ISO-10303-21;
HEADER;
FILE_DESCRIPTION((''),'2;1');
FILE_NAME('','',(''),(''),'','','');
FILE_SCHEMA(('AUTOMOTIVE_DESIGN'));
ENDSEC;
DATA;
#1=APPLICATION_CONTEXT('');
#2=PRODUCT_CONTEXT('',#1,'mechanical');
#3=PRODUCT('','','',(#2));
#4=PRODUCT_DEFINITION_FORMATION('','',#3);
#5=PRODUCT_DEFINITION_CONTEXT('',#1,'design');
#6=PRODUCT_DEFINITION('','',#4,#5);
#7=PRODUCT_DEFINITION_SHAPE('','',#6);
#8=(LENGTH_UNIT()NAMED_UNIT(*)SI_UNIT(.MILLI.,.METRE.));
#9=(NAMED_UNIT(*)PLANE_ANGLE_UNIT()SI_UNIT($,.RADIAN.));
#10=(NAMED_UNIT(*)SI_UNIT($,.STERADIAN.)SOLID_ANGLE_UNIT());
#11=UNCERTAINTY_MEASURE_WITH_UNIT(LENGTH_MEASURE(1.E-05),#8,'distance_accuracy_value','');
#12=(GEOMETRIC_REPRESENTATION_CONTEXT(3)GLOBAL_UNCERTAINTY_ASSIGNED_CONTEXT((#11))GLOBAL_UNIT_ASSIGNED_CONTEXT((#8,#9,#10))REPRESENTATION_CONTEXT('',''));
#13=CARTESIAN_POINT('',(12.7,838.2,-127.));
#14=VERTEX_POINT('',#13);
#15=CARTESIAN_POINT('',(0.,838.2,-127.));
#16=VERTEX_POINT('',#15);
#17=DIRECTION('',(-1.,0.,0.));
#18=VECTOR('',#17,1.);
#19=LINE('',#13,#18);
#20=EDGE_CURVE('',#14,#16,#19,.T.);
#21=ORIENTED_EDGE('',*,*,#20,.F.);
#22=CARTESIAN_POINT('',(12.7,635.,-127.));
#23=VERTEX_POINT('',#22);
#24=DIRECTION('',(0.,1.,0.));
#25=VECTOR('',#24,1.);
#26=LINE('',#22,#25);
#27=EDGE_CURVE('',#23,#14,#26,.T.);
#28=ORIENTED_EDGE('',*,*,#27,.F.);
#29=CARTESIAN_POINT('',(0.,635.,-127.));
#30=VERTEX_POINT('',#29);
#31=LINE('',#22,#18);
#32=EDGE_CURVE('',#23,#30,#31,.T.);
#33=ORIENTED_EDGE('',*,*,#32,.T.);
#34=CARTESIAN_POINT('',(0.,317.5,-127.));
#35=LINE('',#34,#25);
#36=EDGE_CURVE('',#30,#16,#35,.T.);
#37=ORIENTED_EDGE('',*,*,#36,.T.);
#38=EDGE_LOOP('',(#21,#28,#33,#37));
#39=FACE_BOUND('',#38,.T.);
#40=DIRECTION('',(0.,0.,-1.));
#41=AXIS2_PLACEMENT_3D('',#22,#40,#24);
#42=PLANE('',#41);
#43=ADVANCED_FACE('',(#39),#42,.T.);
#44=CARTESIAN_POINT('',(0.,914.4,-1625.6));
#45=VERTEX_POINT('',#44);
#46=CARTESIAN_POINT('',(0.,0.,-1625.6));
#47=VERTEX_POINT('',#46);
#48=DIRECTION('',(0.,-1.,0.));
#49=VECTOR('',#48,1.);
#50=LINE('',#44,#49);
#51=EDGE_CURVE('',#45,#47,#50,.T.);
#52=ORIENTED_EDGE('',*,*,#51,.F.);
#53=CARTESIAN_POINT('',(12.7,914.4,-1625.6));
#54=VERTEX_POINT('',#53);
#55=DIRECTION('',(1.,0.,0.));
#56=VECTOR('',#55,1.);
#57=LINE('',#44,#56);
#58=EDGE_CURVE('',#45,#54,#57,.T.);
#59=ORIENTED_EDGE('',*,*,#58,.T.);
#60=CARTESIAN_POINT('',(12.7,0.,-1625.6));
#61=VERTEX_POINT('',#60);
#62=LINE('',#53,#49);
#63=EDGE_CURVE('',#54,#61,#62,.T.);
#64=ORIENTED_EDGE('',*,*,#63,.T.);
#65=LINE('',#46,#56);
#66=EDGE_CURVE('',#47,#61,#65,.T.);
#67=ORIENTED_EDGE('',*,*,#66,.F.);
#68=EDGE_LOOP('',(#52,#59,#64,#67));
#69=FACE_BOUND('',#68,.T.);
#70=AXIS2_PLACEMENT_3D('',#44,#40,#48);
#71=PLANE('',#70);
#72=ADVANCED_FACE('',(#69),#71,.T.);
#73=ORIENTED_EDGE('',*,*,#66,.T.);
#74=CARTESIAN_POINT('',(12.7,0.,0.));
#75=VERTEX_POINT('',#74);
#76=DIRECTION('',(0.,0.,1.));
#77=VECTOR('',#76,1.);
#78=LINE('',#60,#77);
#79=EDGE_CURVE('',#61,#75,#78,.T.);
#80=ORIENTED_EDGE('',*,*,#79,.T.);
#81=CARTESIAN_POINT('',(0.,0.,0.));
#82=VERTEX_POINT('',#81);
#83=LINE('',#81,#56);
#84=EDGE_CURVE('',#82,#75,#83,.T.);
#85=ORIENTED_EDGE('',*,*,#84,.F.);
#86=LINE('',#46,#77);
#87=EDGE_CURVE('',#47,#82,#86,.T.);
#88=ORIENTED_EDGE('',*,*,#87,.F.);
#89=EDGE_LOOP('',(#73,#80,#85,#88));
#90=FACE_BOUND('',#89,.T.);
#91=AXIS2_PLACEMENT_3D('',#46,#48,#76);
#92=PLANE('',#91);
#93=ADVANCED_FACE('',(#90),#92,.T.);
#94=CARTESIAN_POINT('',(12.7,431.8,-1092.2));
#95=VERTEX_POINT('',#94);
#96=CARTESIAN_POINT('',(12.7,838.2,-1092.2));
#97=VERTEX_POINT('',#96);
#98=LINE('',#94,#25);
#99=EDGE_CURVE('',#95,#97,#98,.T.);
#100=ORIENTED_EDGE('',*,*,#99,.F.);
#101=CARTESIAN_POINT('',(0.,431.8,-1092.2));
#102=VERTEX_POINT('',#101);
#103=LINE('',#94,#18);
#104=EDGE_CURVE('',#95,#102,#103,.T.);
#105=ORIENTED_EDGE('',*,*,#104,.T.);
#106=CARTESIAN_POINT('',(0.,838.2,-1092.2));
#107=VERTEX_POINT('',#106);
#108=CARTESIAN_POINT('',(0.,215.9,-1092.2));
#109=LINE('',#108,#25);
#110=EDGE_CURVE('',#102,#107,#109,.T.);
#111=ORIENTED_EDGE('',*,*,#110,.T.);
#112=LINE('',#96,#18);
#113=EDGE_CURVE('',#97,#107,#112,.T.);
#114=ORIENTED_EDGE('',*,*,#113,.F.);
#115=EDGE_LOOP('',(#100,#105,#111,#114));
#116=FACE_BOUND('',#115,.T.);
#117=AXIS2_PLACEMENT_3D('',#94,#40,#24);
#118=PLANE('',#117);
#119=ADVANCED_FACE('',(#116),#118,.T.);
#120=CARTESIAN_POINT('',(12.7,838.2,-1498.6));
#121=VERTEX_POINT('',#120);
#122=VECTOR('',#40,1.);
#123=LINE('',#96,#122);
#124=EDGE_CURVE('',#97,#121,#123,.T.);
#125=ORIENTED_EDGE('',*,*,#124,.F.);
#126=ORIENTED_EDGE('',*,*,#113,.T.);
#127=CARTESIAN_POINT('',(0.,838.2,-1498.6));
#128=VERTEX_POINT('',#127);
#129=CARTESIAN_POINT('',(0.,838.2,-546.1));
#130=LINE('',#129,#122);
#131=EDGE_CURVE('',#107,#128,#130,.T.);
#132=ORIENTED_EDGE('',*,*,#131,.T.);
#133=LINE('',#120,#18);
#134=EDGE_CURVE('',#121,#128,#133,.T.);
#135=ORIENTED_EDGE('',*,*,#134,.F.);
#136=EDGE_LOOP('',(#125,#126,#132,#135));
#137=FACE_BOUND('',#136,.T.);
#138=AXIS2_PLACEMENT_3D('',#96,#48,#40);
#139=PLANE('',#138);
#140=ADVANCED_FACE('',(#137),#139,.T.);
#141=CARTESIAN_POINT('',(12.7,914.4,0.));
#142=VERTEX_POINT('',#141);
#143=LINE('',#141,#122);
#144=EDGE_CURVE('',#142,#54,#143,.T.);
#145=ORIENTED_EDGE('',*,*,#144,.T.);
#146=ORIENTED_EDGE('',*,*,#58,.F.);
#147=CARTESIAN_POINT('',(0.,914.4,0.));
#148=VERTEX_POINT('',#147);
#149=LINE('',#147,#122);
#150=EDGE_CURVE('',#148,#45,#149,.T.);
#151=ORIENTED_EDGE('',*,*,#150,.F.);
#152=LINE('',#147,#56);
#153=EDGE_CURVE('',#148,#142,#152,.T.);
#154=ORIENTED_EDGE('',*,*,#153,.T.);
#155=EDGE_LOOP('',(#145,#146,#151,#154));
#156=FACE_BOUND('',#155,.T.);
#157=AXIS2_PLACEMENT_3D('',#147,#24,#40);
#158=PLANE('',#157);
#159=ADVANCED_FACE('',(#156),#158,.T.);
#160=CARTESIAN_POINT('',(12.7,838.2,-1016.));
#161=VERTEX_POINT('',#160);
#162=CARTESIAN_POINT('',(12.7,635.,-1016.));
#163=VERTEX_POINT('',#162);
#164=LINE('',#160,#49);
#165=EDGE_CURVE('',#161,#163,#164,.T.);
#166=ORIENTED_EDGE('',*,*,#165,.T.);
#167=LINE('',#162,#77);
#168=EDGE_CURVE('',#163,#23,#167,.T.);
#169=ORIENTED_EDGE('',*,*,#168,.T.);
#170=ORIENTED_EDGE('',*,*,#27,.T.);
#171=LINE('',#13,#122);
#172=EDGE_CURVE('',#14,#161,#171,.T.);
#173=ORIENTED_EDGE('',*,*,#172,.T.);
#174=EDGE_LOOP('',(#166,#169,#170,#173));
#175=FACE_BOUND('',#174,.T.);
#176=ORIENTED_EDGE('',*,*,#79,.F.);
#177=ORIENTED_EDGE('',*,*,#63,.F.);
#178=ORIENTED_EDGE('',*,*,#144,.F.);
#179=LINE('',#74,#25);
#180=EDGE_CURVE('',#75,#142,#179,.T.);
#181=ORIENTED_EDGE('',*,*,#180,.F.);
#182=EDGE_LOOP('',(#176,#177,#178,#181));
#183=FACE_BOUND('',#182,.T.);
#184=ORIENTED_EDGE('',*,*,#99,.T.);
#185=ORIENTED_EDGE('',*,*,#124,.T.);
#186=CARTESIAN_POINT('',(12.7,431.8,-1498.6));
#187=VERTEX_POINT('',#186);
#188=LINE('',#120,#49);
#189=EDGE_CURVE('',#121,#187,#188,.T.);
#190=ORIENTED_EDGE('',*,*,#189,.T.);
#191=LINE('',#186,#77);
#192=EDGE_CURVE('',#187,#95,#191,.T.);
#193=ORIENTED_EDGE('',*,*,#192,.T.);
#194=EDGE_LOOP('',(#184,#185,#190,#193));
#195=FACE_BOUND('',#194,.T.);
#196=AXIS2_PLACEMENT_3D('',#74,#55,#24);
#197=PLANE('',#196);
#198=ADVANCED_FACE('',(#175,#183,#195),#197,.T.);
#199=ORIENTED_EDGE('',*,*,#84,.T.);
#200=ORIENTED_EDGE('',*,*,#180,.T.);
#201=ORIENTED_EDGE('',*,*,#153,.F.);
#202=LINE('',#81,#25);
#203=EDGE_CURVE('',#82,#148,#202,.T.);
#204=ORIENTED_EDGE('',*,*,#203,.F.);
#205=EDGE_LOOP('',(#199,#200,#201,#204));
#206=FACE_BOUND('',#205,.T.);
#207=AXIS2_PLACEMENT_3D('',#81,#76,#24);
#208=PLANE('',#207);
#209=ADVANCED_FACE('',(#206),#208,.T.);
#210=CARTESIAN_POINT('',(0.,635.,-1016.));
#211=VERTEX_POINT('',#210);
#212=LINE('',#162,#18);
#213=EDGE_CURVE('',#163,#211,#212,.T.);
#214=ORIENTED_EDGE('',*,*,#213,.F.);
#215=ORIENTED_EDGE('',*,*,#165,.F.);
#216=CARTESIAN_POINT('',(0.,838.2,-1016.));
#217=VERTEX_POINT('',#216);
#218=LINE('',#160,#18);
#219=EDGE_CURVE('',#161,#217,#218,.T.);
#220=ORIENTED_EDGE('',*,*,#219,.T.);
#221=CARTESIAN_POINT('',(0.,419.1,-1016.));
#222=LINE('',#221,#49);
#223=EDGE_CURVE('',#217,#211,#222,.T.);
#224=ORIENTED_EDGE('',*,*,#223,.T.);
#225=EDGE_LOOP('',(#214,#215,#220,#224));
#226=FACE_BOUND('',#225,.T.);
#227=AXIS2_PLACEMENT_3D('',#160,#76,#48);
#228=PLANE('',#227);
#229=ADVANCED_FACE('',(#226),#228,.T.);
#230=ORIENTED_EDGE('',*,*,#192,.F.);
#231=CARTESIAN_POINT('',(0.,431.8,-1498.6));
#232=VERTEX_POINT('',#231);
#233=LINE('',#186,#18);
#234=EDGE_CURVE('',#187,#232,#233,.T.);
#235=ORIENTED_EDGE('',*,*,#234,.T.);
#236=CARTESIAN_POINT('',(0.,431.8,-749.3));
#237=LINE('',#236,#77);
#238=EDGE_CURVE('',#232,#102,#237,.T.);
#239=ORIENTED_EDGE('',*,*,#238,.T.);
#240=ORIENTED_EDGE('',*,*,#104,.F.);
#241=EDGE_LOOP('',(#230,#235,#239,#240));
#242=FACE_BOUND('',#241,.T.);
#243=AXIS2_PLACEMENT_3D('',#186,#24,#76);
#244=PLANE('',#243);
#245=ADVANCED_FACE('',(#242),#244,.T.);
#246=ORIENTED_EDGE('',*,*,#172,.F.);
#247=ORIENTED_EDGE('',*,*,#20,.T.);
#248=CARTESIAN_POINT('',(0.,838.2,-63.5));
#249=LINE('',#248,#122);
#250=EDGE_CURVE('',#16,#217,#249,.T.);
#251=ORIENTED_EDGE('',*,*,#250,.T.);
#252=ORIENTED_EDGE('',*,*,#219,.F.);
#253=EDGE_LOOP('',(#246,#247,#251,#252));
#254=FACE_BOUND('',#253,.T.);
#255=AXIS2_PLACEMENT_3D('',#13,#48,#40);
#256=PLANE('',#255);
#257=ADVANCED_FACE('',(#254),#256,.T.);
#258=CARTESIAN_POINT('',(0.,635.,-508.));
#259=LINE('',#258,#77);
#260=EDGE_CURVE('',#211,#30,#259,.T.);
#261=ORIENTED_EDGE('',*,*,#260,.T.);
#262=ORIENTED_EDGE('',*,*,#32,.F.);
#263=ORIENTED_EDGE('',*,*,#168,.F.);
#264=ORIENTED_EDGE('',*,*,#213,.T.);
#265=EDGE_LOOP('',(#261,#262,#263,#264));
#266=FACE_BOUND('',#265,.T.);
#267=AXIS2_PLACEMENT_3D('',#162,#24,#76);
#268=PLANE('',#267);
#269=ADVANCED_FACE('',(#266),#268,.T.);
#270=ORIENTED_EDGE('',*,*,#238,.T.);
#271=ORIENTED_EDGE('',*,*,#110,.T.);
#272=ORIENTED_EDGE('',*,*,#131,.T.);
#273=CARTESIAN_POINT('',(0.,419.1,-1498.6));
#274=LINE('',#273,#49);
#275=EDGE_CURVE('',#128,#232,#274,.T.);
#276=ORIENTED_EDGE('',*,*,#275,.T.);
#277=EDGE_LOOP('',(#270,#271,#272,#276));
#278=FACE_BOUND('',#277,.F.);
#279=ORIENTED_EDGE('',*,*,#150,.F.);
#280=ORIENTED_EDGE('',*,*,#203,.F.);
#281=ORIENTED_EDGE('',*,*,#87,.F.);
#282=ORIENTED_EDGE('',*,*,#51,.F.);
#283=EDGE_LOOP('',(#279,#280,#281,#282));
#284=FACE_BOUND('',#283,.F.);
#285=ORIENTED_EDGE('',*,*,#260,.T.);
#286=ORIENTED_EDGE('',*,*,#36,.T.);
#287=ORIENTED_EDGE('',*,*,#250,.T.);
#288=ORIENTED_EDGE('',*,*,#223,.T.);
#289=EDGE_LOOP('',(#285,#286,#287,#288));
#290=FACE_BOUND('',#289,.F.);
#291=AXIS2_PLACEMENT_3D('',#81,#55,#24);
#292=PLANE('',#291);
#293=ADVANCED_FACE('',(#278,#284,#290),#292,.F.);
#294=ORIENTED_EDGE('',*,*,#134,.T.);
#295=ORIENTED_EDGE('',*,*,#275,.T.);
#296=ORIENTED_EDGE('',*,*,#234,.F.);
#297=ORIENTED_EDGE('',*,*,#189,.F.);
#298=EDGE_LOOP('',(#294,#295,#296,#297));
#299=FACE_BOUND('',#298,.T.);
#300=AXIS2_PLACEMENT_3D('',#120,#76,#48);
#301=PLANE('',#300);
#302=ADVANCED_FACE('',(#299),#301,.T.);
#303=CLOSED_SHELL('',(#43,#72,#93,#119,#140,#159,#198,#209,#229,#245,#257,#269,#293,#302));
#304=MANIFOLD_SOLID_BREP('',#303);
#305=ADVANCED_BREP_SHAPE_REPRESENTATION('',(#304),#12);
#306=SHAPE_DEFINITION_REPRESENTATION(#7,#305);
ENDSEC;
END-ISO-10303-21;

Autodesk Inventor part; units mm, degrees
ref_plane "YZ Plane" through (0, 0, 0) normal (1, 0, 0) x (0, 1, 0)
ref_plane "XZ Plane" through (0, 0, 0) normal (0, 1, 0) x (-1, 0, 0)
ref_plane "XY Plane" through (0, 0, 0) normal (0, 0, 1) x (1, 0, 0)
sketch "Sketch1" plane through (0, 0, 0) normal (1, 0, 0) x (0, 1, 0)
  line L0 (0, 0) -> (914.4, 0)
  line L1 (914.4, 0) -> (914.4, -1625.6)
  line L2 (914.4, -1625.6) -> (0, -1625.6)
  line L3 (0, -1625.6) -> (0, 0)
  dimension "d0" = 1625.6
  dimension "d1" = 914.4
extrude "Extrusion1" add sketch "Sketch1" along normal blind 12.7
sketch "Sketch3" plane through (12.7, 0, 0) normal (1, 0, 0) x (0, 0, -1)
  line L0 (0, 0) -> (1625.6, 0) projected
  line L1 (1625.6, 0) -> (1625.6, 914.4) projected
  line L2 (127, 838.2) -> (1016, 838.2)
  line L3 (1016, 838.2) -> (1016, 635)
  line L4 (1016, 635) -> (127, 635)
  line L5 (127, 635) -> (127, 838.2)
  line L6 (0, 914.4) -> (0, 0) projected
  line L7 (1092.2, 838.2) -> (1498.6, 838.2)
  line L8 (1498.6, 838.2) -> (1498.6, 431.8)
  line L9 (1498.6, 431.8) -> (1092.2, 431.8)
  line L10 (1092.2, 431.8) -> (1092.2, 838.2)
  line L11 (1625.6, 914.4) -> (0, 914.4) projected
  dimension "d12" = 889
  dimension "d13" = 203.2
  dimension "d14" = 127
  dimension "d15" = 406.4
  dimension "d16" = 406.4
  dimension "d17" = 76.2
  dimension "d18" = 76.2
  dimension "d19" = 127
extrude "Extrusion3" cut sketch "Sketch3" against normal blind 127 contours L2 L3 L4 L5 | L7 L8 L9 L10
properties part number "HPStationBase-ver1-1111-2021" material "Aluminum 6061"
